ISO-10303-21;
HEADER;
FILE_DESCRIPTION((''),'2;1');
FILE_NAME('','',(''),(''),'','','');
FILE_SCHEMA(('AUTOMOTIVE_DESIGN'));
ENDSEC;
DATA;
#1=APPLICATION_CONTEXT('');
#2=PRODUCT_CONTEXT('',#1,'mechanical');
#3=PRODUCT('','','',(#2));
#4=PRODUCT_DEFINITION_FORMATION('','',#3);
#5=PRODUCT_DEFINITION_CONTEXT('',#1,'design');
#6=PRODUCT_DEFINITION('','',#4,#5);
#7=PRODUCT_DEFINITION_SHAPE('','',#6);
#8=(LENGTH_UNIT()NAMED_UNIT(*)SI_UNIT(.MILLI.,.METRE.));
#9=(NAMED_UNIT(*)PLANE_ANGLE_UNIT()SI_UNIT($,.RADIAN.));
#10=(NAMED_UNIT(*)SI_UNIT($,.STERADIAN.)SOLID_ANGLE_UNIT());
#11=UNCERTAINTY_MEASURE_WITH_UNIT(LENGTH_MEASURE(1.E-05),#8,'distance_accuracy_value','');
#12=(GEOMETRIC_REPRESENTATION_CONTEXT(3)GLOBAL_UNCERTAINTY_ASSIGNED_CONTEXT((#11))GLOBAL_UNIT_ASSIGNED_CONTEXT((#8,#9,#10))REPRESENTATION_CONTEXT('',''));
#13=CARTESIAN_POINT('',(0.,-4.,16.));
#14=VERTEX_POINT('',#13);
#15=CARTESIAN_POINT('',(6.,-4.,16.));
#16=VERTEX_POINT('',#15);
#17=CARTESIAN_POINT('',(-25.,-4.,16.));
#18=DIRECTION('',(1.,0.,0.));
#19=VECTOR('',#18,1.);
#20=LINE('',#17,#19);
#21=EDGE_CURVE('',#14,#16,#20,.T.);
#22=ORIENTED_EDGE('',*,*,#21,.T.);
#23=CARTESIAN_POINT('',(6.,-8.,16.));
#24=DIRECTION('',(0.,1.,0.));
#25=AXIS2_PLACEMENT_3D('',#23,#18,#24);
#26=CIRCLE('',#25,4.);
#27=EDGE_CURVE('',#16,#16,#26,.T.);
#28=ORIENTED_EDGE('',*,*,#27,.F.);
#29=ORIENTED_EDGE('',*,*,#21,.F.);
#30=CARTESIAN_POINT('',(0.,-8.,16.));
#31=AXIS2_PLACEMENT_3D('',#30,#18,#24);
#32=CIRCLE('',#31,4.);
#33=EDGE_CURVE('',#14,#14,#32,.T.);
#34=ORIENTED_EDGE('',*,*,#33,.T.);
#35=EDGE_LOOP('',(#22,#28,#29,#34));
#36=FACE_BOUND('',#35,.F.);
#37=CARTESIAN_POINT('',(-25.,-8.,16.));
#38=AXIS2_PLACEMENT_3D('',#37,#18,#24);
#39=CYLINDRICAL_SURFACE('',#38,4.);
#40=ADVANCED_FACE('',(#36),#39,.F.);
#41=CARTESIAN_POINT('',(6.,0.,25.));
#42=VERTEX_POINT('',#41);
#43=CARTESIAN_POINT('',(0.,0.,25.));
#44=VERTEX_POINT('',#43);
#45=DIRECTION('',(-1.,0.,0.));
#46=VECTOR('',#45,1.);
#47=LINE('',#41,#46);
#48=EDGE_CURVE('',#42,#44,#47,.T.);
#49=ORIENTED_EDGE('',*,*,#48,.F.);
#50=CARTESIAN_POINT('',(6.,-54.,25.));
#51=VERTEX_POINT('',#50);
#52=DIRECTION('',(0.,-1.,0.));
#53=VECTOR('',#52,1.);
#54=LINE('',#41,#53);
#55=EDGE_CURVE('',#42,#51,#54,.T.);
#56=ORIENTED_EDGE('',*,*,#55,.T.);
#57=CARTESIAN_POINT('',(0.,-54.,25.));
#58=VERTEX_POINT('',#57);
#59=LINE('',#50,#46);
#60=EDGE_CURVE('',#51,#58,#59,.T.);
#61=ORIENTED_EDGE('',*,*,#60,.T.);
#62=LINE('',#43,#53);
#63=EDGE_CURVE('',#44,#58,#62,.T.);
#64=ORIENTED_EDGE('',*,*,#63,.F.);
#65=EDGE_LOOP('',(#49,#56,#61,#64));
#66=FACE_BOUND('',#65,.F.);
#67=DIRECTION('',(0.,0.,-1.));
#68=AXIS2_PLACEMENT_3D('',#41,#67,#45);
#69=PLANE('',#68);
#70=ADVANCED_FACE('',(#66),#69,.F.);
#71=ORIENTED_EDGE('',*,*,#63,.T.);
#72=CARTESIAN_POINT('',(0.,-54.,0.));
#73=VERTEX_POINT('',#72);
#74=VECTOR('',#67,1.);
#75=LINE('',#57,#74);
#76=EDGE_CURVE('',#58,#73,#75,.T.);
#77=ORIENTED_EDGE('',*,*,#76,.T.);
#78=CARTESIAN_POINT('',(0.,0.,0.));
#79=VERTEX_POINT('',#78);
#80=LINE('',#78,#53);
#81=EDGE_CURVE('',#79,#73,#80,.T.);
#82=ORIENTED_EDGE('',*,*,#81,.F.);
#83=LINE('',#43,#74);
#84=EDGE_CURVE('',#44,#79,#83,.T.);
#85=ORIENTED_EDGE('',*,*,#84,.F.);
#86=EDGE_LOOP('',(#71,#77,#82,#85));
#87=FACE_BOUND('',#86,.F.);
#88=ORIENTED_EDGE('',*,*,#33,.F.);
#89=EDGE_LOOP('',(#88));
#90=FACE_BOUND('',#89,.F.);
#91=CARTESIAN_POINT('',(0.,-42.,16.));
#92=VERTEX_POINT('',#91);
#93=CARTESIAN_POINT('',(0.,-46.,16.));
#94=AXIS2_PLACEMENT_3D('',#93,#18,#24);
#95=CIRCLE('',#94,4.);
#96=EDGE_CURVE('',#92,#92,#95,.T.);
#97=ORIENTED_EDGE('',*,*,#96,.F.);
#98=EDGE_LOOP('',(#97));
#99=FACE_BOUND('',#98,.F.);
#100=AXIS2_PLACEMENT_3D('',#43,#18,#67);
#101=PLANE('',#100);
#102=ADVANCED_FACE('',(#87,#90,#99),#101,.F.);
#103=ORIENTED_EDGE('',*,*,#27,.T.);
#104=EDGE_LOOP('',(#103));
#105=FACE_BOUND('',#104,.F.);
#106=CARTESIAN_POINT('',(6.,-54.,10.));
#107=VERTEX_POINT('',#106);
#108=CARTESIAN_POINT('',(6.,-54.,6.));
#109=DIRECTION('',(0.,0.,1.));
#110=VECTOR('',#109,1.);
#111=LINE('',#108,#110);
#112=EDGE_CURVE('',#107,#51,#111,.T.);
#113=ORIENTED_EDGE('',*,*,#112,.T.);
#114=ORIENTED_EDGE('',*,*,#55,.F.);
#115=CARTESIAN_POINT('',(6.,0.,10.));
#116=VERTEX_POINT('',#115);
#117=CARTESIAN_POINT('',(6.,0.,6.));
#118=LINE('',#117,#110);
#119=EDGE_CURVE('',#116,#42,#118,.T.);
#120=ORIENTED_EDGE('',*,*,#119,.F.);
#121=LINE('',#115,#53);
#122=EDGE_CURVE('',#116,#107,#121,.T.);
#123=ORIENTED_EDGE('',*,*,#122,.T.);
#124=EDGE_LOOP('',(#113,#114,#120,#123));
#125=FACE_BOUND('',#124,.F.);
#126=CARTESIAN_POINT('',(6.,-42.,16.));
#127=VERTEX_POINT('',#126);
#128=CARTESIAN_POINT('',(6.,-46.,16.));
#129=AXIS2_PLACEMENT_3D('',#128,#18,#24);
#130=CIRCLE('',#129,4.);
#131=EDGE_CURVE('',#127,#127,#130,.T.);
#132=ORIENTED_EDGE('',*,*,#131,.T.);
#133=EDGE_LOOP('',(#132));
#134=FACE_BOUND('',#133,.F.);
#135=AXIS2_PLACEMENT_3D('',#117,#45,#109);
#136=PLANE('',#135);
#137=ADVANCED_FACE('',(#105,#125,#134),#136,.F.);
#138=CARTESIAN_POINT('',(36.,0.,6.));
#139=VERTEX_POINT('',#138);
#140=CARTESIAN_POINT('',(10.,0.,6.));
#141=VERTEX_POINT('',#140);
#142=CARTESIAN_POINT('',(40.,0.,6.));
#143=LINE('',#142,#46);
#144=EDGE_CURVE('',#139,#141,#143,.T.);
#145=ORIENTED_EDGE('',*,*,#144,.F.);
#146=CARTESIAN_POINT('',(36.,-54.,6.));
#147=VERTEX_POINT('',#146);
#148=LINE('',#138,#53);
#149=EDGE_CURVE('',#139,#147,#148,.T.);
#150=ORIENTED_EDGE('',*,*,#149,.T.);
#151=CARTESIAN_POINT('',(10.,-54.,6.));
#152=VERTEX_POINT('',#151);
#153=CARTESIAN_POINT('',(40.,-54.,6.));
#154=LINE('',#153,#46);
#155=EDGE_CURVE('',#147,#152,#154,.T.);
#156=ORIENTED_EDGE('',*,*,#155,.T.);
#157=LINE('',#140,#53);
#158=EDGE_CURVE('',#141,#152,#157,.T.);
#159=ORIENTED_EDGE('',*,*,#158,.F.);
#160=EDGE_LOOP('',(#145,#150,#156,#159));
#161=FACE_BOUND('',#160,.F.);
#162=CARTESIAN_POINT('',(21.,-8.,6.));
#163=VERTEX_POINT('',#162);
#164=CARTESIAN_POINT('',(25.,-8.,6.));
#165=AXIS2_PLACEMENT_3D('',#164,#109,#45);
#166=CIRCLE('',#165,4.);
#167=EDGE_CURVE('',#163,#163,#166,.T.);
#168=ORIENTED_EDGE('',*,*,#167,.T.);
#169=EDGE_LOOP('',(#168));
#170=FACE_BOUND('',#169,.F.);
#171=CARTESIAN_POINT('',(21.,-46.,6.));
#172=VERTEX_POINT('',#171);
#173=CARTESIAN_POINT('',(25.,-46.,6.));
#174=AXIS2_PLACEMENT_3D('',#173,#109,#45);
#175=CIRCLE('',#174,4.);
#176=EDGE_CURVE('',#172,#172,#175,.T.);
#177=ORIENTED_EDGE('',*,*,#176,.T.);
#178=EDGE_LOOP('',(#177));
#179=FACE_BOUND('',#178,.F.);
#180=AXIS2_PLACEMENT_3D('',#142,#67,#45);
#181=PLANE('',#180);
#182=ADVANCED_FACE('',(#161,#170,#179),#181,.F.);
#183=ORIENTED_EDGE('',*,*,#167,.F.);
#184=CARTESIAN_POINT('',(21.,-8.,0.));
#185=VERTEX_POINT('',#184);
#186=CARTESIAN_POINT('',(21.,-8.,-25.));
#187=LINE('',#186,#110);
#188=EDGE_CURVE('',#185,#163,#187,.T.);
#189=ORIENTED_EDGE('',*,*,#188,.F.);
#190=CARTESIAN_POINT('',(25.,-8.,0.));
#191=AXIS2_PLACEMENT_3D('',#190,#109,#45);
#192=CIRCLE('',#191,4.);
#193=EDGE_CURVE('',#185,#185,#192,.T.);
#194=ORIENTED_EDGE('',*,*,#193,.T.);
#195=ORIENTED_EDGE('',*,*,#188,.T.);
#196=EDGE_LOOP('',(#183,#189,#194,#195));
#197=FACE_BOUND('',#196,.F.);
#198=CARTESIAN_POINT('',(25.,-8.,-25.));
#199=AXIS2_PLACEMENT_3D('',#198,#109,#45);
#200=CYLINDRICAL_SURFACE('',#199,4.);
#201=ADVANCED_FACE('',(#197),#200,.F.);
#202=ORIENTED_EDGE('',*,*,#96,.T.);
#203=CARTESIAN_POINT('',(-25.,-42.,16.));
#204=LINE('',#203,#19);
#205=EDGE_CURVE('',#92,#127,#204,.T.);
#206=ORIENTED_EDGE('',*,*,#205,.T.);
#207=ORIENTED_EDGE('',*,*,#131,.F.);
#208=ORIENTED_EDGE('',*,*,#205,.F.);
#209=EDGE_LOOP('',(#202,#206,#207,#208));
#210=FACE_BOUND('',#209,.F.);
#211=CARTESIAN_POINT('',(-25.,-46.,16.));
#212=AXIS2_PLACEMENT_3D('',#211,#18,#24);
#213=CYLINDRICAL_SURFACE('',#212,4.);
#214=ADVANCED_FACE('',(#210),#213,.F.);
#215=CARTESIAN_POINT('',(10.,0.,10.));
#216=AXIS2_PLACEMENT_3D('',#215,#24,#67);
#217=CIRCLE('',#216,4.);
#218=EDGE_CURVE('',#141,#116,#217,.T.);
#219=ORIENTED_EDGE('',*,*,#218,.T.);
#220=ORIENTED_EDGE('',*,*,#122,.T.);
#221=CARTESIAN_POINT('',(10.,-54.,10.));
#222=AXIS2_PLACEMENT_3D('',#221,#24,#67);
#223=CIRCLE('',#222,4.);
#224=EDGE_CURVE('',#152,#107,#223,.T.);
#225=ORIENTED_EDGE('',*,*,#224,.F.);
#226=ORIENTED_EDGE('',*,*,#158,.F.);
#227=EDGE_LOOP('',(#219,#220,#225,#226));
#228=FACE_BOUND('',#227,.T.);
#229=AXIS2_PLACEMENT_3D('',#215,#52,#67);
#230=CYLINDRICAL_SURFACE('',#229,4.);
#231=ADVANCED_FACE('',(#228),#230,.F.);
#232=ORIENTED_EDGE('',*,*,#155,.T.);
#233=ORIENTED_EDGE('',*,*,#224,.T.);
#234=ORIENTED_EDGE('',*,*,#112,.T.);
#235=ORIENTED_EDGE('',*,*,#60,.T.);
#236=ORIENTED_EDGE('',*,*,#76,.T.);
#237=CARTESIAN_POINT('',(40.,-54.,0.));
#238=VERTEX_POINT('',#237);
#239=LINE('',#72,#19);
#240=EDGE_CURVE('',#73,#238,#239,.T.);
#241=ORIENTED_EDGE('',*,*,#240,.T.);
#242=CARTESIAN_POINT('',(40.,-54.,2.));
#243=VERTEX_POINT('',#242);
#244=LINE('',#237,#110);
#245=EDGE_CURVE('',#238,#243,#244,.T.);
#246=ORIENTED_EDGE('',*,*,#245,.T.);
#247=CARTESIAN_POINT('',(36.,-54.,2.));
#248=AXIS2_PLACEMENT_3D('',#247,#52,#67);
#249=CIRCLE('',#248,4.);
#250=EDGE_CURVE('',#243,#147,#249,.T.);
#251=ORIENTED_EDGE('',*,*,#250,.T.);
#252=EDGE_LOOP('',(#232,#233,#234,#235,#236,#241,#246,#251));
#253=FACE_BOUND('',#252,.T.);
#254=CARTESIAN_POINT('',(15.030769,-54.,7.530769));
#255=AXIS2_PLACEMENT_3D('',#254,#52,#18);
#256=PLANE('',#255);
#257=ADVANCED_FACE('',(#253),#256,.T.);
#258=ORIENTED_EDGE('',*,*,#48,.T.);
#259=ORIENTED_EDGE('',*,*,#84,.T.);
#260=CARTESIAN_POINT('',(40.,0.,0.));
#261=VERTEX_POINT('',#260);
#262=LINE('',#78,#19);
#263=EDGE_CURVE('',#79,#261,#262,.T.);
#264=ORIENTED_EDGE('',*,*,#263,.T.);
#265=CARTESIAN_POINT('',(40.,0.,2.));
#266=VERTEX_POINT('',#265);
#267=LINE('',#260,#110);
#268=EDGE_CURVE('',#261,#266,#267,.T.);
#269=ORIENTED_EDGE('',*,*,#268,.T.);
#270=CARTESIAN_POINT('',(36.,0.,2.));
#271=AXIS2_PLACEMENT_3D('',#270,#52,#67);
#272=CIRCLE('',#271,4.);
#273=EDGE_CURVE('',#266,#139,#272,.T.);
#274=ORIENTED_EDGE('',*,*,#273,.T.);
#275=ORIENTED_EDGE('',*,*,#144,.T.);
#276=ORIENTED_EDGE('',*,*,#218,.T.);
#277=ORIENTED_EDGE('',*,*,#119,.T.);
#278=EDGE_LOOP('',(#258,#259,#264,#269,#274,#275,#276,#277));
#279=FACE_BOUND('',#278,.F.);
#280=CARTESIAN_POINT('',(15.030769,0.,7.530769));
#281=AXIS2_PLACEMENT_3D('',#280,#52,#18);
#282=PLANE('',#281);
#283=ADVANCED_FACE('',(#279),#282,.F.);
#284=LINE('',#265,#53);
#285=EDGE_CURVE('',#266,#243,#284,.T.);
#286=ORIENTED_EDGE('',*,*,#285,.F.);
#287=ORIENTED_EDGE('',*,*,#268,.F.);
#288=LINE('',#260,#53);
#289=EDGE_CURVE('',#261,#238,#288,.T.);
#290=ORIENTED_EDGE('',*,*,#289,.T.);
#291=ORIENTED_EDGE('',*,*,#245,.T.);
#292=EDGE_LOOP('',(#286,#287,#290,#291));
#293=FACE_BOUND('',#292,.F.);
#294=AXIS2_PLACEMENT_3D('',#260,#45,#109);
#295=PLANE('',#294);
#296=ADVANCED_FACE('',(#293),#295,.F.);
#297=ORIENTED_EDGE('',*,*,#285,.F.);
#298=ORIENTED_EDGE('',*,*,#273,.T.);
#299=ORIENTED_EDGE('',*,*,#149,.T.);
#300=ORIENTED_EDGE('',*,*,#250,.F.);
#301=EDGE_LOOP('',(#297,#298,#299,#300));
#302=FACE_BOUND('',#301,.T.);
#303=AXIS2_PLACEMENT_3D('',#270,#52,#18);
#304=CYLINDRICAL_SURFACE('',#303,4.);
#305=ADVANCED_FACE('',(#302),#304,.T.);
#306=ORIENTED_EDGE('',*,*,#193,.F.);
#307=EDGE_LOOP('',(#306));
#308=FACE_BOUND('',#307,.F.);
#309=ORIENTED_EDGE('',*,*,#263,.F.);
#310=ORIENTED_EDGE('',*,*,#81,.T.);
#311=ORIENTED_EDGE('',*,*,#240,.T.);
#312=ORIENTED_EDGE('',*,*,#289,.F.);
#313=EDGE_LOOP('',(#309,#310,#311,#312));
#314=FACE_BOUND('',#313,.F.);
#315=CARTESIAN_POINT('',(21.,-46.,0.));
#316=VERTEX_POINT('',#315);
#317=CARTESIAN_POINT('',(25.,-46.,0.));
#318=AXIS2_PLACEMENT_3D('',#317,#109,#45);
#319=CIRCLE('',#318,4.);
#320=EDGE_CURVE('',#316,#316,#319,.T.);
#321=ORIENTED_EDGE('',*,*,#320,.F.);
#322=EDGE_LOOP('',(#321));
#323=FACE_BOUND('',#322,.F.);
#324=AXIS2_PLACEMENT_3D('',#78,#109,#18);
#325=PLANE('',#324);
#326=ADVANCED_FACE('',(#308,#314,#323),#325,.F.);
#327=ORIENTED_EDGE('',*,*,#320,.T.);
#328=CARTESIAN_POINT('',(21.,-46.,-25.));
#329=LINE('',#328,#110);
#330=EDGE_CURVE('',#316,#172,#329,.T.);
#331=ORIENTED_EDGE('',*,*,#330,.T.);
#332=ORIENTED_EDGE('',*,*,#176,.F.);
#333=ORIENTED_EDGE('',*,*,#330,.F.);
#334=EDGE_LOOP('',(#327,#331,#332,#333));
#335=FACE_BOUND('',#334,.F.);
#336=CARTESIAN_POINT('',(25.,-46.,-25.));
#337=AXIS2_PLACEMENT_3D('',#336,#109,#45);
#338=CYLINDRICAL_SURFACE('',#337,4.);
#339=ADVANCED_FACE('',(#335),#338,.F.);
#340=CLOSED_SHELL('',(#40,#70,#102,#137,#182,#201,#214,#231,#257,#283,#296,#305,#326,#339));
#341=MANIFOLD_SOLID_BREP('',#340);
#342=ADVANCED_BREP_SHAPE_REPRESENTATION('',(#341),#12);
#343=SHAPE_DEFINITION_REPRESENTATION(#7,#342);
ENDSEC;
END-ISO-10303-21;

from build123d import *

# Parameters (mm, degrees)
F1_DEPTH = 54
F2_R     = 4
F4_D     = 8
F4_DEPTH = 25
F6_D     = 8
F6_DEPTH = 25


with BuildPart() as f1:
    # F0 (on Front) → F1 (new body)
    with BuildSketch(Plane.XZ):
        Polygon((0, 25), (0, 0), (40, 0), (40, 6), (6, 6), (6, 25), align=None)
    extrude(amount=F1_DEPTH)

    # F2
    f2_edges = [f1.edges().sort_by_distance(p)[0] for p in [
        (40, -27, 6),
        (6, -27, 6),
    ]]
    fillet(f2_edges, radius=F2_R)

    # F4
    with Locations(Plane(origin=(0, 0, 0), x_dir=(0, -1, 0), z_dir=(-1, 0, 0))):
        with Locations((8, 16), (46, 16)):
            Hole(F4_D / 2, depth=F4_DEPTH)

    # F6
    with Locations(Plane(origin=(0, 0, 0), x_dir=(1, 0, 0), z_dir=(0, 0, -1))):
        with Locations((25, 8), (25, 46), (25, 46)):
            Hole(F6_D / 2, depth=F6_DEPTH)


solid = f1.part
